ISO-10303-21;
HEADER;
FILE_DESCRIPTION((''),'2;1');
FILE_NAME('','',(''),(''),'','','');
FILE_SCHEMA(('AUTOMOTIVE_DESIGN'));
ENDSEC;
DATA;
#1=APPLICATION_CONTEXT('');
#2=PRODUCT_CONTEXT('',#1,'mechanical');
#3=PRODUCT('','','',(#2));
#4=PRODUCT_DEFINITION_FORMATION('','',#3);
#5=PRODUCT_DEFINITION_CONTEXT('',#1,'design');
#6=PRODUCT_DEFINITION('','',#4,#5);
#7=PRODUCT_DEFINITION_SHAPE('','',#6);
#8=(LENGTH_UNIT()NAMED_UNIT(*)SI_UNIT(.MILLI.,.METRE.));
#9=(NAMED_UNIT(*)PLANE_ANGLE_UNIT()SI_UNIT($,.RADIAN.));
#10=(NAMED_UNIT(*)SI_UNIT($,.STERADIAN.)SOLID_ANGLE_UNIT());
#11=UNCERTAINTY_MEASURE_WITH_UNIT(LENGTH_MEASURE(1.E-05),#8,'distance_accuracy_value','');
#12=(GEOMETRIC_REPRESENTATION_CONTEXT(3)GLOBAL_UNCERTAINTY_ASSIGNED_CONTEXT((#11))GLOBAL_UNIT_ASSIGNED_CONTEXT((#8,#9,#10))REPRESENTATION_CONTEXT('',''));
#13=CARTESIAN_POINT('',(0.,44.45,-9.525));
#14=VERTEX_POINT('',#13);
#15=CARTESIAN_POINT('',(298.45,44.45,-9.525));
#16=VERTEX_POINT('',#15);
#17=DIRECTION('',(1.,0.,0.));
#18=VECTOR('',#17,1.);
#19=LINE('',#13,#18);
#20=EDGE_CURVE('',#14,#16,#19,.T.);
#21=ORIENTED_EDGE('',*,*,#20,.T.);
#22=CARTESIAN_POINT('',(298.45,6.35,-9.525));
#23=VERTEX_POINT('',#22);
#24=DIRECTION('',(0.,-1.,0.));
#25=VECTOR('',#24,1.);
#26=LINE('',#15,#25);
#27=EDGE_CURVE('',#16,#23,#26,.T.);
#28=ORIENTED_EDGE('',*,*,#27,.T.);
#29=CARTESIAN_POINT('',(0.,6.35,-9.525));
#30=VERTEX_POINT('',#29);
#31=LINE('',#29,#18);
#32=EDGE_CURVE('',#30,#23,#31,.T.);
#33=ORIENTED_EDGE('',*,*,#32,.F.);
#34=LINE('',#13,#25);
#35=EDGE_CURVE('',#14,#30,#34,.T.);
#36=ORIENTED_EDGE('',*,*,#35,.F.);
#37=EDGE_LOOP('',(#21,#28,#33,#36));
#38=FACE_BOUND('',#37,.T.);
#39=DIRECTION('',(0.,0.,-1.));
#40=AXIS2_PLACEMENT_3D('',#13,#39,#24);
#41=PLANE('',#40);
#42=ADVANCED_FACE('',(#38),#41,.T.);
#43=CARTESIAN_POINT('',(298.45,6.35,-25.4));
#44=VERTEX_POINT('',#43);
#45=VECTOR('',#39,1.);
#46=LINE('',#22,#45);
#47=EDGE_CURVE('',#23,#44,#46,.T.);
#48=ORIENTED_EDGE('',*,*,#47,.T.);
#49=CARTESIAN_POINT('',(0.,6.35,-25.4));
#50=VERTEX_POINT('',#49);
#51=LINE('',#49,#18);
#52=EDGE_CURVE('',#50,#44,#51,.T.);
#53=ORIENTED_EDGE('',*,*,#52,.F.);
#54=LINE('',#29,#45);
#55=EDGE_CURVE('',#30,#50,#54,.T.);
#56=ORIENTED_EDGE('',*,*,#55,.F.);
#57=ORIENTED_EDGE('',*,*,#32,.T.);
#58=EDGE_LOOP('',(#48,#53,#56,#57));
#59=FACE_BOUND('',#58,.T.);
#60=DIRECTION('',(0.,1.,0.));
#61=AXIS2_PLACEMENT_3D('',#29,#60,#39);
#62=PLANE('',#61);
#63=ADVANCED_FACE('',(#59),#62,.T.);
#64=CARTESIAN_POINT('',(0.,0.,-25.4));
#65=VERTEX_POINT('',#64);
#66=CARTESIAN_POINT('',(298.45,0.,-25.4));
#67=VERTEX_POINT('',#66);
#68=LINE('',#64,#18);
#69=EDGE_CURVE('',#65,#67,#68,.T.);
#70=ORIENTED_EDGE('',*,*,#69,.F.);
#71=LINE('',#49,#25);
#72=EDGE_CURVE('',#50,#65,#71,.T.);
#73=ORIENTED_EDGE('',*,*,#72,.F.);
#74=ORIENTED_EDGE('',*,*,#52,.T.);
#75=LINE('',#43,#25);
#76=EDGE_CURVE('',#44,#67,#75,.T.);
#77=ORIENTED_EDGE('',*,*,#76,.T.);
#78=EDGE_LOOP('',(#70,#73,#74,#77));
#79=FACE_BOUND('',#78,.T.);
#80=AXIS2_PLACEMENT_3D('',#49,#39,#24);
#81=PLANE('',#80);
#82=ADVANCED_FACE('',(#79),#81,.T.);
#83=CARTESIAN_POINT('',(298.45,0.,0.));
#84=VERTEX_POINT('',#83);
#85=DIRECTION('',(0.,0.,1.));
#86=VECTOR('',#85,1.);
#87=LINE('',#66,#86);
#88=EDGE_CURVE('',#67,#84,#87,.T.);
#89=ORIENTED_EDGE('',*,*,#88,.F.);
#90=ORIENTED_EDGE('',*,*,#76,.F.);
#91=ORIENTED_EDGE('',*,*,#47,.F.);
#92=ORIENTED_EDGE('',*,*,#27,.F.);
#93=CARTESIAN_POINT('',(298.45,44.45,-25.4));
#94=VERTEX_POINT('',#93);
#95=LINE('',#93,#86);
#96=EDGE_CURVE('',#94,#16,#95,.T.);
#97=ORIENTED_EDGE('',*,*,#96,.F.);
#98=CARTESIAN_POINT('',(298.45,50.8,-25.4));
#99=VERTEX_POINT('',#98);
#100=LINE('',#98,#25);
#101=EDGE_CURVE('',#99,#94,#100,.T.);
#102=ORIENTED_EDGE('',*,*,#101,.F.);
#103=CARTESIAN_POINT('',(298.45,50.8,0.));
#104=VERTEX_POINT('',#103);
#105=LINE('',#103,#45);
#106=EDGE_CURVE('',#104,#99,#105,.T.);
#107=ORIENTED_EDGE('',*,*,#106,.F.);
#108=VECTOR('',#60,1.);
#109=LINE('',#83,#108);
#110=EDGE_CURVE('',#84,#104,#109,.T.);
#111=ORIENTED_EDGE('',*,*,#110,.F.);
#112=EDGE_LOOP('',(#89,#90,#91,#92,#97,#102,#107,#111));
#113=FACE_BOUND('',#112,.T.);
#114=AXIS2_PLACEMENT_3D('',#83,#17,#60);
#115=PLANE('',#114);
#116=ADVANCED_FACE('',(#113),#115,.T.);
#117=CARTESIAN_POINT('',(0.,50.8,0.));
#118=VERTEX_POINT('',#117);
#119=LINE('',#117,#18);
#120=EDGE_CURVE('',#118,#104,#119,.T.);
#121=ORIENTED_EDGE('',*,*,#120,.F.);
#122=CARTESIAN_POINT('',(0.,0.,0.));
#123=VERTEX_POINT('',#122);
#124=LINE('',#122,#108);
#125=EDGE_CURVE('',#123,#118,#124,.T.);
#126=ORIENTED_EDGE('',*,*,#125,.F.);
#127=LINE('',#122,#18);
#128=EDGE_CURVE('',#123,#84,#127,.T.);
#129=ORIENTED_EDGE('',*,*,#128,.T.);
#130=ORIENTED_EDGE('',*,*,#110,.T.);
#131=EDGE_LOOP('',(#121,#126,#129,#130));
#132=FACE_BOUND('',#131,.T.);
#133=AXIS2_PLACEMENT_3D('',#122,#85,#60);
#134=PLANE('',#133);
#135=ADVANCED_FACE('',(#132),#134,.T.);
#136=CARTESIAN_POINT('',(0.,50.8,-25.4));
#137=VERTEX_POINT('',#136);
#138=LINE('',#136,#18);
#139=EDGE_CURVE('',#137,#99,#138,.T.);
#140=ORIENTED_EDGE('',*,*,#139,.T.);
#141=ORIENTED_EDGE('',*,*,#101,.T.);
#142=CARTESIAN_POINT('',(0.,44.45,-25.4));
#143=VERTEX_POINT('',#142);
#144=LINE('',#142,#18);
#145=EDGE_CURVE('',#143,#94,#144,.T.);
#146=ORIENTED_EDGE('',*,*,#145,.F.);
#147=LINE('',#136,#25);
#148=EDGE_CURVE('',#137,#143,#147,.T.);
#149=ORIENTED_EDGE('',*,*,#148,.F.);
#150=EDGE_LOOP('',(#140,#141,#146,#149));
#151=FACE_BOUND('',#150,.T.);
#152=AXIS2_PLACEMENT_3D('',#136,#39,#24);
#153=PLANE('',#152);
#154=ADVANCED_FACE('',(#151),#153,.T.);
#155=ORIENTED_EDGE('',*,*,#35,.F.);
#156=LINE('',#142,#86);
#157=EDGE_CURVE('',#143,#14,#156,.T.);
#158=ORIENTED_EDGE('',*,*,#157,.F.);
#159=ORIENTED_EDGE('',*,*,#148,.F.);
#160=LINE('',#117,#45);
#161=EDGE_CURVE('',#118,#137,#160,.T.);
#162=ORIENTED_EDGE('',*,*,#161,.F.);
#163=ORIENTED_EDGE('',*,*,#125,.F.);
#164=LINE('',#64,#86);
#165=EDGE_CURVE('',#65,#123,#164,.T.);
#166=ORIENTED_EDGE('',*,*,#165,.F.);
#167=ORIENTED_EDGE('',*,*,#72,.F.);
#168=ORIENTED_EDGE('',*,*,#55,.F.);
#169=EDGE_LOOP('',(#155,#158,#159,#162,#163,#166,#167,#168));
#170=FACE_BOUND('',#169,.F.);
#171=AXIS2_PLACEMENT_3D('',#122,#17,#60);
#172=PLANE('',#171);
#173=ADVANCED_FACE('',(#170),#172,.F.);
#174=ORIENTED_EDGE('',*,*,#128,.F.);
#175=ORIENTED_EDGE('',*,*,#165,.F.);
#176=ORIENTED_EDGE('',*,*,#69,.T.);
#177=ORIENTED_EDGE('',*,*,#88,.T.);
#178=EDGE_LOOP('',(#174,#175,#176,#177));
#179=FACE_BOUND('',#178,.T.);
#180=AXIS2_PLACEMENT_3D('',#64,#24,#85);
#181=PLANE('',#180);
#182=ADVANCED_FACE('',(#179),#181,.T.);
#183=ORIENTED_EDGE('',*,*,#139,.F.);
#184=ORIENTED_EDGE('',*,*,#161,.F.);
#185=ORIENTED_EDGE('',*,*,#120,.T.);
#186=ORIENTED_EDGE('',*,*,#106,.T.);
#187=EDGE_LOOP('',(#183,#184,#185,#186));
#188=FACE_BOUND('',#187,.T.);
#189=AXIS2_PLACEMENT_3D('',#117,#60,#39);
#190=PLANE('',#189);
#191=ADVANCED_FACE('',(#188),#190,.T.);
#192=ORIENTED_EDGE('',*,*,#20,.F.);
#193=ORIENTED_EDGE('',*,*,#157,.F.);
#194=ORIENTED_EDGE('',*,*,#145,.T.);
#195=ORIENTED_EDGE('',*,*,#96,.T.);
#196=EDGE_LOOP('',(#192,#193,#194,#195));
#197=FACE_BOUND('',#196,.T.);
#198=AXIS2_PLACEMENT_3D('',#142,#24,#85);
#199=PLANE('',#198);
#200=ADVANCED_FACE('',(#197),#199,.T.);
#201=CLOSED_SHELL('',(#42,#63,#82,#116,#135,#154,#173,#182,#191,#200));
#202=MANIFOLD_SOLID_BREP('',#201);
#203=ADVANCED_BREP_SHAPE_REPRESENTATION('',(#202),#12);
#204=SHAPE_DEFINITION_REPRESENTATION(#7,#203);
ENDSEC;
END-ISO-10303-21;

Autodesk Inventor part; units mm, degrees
ref_plane "YZ Plane" through (0, 0, 0) normal (1, 0, 0) x (0, 1, 0)
ref_plane "XZ Plane" through (0, 0, 0) normal (0, 1, 0) x (-1, 0, 0)
ref_plane "XY Plane" through (0, 0, 0) normal (0, 0, 1) x (1, 0, 0)
sketch "Sketch1" plane through (0, 0, 0) normal (1, 0, 0) x (0, 1, 0)
  line L0 (0, 0) -> (50.8, 0)
  line L1 (50.8, 0) -> (50.8, -25.4)
  line L2 (50.8, -25.4) -> (44.45, -25.4)
  line L3 (44.45, -25.4) -> (44.45, -9.525)
  line L4 (44.45, -9.525) -> (6.35, -9.525)
  line L5 (6.35, -9.525) -> (6.35, -25.4)
  line L6 (6.35, -25.4) -> (0, -25.4)
  line L7 (0, -25.4) -> (0, 0)
  dimension "d1" = 15.875
  dimension "d3" = 6.35
  dimension "d4" = 6.35
  dimension "d5" = 50.8
  dimension "d9" = 25.4
extrude "Extrusion1" add sketch "Sketch1" along normal blind 298.45
properties part number "NASA-20-EBOX-EXTC-01" material "Polyethylene, Low Density"
